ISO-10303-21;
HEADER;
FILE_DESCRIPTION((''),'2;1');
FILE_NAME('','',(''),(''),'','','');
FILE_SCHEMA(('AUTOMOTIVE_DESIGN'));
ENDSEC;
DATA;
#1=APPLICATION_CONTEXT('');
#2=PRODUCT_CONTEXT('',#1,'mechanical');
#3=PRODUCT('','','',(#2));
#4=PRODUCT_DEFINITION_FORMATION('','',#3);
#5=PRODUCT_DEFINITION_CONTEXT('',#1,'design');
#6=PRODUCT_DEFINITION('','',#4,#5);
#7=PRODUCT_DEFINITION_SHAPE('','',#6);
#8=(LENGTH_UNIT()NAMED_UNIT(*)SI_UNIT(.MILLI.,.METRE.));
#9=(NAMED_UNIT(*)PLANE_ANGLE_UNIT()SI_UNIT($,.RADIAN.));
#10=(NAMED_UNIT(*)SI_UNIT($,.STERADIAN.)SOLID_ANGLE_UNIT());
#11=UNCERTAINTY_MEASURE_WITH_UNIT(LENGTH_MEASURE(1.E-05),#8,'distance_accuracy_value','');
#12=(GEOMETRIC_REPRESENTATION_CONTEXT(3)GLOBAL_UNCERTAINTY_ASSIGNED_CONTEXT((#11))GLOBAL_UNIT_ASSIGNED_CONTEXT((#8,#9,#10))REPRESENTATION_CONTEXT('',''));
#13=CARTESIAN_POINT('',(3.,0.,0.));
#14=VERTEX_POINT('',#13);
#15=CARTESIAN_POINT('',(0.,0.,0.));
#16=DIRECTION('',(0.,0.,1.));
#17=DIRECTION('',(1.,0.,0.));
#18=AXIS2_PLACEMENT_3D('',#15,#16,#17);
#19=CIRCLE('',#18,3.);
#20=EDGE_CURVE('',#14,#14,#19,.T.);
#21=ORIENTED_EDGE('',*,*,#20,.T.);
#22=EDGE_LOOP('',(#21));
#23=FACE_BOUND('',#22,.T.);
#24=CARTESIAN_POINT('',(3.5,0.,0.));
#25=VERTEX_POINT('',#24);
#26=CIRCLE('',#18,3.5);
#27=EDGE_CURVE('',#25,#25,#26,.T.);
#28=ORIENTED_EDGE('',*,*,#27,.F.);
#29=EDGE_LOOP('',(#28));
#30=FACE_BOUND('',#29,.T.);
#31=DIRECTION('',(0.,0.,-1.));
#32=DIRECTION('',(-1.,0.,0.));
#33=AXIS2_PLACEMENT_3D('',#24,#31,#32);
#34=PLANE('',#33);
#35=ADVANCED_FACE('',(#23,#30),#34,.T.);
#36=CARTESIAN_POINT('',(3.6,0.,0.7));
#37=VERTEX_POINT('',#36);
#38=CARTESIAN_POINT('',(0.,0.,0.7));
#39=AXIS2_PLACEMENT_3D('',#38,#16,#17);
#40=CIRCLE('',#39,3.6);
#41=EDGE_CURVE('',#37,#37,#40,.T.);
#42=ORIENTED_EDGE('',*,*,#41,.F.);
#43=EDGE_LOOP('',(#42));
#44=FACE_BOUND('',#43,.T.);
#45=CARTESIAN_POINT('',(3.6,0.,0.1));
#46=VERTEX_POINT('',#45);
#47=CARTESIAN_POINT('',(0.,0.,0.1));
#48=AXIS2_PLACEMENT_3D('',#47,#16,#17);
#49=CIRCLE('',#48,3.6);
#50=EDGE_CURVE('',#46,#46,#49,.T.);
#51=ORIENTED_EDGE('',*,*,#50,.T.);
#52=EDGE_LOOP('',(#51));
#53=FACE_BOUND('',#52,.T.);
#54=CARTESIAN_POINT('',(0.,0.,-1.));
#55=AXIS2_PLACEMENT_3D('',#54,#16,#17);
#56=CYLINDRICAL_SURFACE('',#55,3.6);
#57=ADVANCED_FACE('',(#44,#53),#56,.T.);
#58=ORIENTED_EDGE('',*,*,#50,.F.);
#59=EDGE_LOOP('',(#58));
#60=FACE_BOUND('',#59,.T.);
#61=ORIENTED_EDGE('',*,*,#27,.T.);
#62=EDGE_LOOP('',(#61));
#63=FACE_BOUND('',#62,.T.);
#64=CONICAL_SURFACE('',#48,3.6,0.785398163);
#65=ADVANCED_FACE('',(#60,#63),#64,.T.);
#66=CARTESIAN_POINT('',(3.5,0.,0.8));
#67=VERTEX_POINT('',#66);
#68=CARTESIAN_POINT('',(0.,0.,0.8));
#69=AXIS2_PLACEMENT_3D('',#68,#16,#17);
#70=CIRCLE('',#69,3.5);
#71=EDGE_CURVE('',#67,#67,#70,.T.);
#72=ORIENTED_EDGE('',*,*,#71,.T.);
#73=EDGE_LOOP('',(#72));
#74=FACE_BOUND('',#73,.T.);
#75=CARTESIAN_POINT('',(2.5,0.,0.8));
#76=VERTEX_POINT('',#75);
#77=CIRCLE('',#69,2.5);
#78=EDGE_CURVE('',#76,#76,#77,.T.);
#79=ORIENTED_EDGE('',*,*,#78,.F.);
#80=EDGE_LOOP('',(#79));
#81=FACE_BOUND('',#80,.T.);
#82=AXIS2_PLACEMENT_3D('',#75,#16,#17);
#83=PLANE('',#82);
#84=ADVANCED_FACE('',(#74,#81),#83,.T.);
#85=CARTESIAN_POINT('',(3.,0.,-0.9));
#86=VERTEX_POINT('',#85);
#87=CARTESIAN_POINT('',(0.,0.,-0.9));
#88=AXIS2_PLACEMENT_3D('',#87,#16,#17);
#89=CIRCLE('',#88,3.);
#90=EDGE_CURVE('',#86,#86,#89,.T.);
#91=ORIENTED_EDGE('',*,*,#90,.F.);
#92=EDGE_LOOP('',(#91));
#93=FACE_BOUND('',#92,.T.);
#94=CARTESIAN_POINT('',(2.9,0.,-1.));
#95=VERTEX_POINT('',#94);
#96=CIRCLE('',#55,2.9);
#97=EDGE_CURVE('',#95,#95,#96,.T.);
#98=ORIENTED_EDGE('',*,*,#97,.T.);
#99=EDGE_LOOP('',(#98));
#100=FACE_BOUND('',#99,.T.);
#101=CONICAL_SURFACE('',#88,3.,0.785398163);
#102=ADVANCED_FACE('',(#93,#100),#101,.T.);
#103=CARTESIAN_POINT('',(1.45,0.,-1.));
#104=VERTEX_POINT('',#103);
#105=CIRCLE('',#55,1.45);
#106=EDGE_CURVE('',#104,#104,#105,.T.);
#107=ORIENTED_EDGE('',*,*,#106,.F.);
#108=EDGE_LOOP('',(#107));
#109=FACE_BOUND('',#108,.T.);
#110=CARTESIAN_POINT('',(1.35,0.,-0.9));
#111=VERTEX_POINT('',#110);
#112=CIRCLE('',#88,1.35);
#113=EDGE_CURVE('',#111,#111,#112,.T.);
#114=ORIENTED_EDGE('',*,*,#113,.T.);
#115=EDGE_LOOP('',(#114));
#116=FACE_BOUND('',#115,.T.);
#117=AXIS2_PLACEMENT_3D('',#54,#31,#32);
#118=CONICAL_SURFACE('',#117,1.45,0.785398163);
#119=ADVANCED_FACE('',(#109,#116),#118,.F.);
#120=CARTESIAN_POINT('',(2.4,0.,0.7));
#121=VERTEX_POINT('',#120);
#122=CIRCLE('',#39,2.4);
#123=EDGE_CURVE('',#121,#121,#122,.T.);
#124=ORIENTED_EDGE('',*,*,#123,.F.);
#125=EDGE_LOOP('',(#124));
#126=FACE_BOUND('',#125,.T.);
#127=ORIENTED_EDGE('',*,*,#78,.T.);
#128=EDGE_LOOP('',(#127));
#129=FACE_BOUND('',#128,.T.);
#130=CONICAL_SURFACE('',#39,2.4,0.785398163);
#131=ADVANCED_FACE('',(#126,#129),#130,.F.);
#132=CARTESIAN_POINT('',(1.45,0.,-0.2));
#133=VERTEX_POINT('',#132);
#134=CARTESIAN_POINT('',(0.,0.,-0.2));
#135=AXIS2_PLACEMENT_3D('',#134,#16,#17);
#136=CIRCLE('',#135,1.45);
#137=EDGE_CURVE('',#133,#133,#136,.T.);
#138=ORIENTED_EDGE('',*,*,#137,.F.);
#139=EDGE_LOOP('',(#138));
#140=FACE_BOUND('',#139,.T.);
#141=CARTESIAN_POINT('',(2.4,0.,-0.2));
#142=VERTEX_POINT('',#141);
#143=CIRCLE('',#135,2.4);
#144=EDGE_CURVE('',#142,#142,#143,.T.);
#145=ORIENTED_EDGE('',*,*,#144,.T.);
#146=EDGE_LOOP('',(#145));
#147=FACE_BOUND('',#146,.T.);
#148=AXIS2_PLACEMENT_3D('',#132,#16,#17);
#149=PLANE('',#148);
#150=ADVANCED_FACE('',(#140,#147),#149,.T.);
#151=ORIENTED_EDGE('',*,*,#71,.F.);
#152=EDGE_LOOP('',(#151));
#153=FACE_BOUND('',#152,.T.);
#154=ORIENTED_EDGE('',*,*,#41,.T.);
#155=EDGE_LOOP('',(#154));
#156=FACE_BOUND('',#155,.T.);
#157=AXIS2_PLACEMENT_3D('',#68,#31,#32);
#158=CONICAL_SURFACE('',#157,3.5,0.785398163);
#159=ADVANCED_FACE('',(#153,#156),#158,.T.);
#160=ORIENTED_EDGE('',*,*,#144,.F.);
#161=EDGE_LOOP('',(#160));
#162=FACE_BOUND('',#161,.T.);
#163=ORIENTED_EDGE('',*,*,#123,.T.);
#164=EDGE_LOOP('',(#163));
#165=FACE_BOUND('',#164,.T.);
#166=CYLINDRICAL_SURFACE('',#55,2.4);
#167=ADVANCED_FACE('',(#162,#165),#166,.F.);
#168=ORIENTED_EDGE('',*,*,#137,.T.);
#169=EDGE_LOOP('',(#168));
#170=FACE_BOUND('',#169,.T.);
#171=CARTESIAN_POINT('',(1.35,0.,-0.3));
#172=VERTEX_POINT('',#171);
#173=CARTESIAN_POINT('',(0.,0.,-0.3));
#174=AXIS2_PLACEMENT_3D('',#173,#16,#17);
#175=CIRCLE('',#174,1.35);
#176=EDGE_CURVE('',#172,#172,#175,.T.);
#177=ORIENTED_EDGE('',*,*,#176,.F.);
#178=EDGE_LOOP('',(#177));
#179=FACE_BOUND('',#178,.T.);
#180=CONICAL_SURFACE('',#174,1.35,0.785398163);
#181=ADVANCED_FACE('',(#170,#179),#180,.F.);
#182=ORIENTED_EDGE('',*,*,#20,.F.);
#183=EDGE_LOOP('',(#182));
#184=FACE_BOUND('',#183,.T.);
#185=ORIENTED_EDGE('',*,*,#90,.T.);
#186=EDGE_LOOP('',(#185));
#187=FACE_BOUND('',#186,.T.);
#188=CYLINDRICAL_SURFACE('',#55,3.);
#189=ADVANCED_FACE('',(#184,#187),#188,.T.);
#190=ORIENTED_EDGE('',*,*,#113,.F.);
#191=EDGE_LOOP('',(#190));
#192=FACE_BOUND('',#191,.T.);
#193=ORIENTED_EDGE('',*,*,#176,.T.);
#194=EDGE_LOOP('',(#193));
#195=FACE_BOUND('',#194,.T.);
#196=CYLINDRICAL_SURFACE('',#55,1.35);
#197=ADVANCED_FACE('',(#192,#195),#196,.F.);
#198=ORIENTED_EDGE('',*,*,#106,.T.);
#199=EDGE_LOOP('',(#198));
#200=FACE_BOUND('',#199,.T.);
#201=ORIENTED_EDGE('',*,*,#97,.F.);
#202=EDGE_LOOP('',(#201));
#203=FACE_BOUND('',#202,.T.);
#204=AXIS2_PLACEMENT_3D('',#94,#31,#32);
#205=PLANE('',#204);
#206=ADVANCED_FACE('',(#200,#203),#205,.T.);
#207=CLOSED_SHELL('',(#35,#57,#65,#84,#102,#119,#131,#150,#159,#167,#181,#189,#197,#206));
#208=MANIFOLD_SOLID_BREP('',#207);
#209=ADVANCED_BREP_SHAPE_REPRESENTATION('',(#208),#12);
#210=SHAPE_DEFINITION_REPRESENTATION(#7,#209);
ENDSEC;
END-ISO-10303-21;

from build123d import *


with BuildPart() as part:
    # Sketch1 → Revolve1 (revolve)
    with BuildSketch(Plane(origin=(0, 0, 0), x_dir=(1, 0, 0), z_dir=(0, 1, 0))):
        Polygon((2.5, -0.8), (3.5, -0.8), (3.6, -0.7), (3.6, -0.1), (3.5, 0), (3, 0), (3, 0.9), (2.9, 1), (1.45, 1), (1.35, 0.9), (1.35, 0.3), (1.45, 0.2), (2.4, 0.2), (2.4, -0.7), align=None)
    revolve(axis=Axis((0, 0, -1), (0, 0, 1)))


solid = part.part
